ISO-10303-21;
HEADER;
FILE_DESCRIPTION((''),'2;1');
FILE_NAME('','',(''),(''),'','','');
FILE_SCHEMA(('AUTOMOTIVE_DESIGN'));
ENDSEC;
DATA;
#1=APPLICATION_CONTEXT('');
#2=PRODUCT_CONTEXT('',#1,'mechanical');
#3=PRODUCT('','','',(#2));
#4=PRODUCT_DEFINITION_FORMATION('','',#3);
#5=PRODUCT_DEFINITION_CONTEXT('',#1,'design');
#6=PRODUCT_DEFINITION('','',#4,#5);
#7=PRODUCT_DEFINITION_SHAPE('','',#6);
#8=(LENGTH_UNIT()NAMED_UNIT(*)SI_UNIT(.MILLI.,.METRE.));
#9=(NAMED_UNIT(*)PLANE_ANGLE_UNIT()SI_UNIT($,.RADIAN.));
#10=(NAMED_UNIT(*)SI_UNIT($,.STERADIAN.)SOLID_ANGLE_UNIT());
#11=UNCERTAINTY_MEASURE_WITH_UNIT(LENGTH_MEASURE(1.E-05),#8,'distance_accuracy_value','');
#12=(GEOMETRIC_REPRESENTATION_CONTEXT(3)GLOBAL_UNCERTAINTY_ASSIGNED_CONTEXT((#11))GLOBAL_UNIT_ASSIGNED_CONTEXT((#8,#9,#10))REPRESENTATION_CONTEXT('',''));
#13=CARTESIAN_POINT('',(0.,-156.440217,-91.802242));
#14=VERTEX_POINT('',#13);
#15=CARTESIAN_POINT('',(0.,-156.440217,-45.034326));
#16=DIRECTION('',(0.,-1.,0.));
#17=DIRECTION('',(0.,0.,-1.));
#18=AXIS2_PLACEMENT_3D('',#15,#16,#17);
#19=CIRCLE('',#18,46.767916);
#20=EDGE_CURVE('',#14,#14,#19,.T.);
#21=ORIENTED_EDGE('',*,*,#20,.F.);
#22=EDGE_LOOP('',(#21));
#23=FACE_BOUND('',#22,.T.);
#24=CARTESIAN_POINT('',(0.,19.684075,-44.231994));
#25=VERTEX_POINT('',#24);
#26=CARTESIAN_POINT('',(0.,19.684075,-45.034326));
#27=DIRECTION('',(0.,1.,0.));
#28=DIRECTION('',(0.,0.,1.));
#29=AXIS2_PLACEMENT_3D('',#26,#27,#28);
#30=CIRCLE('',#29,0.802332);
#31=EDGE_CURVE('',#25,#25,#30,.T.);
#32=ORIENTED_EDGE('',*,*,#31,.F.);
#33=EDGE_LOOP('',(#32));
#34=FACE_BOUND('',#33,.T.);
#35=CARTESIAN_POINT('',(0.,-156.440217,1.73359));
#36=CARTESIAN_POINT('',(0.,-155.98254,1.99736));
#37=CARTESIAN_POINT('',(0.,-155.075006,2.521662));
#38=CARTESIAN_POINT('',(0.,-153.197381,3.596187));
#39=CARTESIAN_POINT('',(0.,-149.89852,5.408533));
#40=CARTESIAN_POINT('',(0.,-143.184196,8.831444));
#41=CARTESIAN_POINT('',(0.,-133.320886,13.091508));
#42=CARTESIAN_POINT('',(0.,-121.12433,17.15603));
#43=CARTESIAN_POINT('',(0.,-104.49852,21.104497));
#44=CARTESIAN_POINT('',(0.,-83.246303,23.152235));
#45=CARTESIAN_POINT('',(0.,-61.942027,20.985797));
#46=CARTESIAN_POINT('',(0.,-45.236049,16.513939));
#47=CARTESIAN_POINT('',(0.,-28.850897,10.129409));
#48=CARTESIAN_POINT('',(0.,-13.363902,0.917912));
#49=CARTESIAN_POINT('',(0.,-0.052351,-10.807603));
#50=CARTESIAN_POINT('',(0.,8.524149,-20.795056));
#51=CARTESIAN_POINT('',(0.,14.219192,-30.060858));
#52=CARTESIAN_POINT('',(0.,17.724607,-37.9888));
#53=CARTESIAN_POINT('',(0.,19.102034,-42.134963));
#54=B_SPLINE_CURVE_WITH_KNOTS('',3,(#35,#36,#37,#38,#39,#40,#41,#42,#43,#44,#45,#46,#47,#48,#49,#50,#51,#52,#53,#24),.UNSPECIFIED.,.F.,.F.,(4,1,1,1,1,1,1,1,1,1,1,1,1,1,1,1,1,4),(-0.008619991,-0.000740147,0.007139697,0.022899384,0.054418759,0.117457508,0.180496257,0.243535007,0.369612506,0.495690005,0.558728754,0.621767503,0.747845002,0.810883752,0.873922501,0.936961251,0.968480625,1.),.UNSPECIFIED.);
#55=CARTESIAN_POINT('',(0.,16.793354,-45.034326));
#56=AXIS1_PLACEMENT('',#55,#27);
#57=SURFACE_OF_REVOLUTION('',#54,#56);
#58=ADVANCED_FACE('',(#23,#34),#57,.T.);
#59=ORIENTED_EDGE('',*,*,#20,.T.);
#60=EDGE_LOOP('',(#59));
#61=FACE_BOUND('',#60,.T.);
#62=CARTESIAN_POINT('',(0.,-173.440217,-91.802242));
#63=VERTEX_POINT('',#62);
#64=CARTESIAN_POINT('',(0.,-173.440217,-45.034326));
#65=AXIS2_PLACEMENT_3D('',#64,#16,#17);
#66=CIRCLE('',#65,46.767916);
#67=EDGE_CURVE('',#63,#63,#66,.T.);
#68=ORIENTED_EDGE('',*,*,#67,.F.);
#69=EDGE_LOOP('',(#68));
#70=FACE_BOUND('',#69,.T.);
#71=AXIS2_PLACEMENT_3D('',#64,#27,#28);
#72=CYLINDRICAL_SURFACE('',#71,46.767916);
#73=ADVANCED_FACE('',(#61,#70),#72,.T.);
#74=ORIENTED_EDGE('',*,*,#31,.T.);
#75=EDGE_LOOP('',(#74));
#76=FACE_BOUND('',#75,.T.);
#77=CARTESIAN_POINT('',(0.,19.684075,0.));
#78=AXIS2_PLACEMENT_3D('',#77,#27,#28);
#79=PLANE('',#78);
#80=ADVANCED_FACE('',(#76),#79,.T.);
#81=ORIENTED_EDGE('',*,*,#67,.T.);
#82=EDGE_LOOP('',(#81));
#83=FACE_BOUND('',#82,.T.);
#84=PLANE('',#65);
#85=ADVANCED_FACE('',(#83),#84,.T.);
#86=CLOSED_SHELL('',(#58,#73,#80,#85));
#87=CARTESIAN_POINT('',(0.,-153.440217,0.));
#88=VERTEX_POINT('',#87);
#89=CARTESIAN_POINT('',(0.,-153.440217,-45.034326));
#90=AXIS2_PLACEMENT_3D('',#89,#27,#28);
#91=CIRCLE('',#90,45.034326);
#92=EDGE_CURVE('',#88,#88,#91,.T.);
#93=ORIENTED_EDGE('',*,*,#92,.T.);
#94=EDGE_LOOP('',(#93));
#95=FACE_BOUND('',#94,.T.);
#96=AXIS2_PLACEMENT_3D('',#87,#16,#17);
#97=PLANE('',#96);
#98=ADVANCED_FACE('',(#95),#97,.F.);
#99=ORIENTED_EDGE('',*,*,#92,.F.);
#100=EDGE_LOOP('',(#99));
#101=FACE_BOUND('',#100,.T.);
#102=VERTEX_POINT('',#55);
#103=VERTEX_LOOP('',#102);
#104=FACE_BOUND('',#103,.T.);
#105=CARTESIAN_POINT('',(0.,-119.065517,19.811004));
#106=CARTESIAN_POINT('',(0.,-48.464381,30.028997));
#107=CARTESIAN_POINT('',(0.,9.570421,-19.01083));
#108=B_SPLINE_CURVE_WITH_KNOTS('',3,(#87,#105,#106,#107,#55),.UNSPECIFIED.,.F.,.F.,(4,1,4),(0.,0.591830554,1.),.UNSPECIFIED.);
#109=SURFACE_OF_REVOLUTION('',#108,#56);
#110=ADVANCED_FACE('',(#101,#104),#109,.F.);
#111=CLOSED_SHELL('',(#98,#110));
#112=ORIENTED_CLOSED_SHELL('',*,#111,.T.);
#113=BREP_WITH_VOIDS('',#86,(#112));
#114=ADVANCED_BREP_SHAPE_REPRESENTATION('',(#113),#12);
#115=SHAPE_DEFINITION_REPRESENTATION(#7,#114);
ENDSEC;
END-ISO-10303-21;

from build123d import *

# Parameters (mm, degrees)
SKETCH6_R           = 46.767915722
BOSS_EXTRUDE1_DEPTH = 17


with BuildPart() as part:
    # Sketch3 → Revolve2 (revolve)
    with BuildSketch(Plane(origin=(0, -67.031201242, 0), x_dir=(0, 0, -1), z_dir=(1, 0, 0))):
        with BuildLine():
            add(Edge.make_bspline(
                [(-1.733589523, -89.409016069), (-1.99736032, -88.951339009), (-2.521661549, -88.043804263), (-3.596186919, -86.166179777), (-5.408532911, -82.86731887), (-8.831443894, -76.152994285), (-13.091508451, -66.289684347), (-17.156029835, -54.093129241), (-21.104496752, -37.467318384), (-23.152235184, -16.215102001), (-20.985796534, 5.089174087), (-16.513939147, 21.795152409), (-10.129409488, 38.180304288), (-0.917912269, 53.66729944), (10.807602914, 66.97885035), (20.795056297, 75.55535071), (30.060858253, 81.25039371), (37.988800039, 84.755808518), (42.134962805, 86.133235661), (44.231994393, 86.715275771)],
                knots=[-0.008619991, -0.008619991, -0.008619991, -0.008619991, -0.000740147, 0.007139697, 0.022899384, 0.054418759, 0.117457508, 0.180496257, 0.243535007, 0.369612506, 0.495690005, 0.558728754, 0.621767503, 0.747845002, 0.810883752, 0.873922501, 0.936961251, 0.968480625, 1, 1, 1, 1], degree=3))
            Line((44.231994393, 86.715275771), (45.034326199, 86.715275771))
            Line((45.034326199, 86.715275771), (45.034326199, 83.824555502))
            add(Edge.make_bspline(
                [(0, -86.409016069), (-19.811004259, -52.034315357), (-30.028997158, 18.566820254), (19.010829705, 76.601622459), (45.034326199, 83.824555502)],
                knots=[0, 0, 0, 0, 0.591830554, 1, 1, 1, 1], degree=3))
            Line((0, -86.409016069), (45.034326199, -86.409016069))
            Line((45.034326199, -86.409016069), (45.034326199, -89.409016069))
            Line((45.034326199, -89.409016069), (-1.733589523, -89.409016069))
        make_face()
    revolve(axis=Axis((0, 16.79335426, -45.034326199), (0, -1, 0)))

    # Sketch6 → Boss-Extrude1 (add)
    with BuildSketch(Plane.XZ.offset(156.440217311)):
        with Locations(Location((0, -45.034326199, 0), (0, 0, 270))):
            Circle(SKETCH6_R)
    extrude(amount=BOSS_EXTRUDE1_DEPTH)


solid = part.part
